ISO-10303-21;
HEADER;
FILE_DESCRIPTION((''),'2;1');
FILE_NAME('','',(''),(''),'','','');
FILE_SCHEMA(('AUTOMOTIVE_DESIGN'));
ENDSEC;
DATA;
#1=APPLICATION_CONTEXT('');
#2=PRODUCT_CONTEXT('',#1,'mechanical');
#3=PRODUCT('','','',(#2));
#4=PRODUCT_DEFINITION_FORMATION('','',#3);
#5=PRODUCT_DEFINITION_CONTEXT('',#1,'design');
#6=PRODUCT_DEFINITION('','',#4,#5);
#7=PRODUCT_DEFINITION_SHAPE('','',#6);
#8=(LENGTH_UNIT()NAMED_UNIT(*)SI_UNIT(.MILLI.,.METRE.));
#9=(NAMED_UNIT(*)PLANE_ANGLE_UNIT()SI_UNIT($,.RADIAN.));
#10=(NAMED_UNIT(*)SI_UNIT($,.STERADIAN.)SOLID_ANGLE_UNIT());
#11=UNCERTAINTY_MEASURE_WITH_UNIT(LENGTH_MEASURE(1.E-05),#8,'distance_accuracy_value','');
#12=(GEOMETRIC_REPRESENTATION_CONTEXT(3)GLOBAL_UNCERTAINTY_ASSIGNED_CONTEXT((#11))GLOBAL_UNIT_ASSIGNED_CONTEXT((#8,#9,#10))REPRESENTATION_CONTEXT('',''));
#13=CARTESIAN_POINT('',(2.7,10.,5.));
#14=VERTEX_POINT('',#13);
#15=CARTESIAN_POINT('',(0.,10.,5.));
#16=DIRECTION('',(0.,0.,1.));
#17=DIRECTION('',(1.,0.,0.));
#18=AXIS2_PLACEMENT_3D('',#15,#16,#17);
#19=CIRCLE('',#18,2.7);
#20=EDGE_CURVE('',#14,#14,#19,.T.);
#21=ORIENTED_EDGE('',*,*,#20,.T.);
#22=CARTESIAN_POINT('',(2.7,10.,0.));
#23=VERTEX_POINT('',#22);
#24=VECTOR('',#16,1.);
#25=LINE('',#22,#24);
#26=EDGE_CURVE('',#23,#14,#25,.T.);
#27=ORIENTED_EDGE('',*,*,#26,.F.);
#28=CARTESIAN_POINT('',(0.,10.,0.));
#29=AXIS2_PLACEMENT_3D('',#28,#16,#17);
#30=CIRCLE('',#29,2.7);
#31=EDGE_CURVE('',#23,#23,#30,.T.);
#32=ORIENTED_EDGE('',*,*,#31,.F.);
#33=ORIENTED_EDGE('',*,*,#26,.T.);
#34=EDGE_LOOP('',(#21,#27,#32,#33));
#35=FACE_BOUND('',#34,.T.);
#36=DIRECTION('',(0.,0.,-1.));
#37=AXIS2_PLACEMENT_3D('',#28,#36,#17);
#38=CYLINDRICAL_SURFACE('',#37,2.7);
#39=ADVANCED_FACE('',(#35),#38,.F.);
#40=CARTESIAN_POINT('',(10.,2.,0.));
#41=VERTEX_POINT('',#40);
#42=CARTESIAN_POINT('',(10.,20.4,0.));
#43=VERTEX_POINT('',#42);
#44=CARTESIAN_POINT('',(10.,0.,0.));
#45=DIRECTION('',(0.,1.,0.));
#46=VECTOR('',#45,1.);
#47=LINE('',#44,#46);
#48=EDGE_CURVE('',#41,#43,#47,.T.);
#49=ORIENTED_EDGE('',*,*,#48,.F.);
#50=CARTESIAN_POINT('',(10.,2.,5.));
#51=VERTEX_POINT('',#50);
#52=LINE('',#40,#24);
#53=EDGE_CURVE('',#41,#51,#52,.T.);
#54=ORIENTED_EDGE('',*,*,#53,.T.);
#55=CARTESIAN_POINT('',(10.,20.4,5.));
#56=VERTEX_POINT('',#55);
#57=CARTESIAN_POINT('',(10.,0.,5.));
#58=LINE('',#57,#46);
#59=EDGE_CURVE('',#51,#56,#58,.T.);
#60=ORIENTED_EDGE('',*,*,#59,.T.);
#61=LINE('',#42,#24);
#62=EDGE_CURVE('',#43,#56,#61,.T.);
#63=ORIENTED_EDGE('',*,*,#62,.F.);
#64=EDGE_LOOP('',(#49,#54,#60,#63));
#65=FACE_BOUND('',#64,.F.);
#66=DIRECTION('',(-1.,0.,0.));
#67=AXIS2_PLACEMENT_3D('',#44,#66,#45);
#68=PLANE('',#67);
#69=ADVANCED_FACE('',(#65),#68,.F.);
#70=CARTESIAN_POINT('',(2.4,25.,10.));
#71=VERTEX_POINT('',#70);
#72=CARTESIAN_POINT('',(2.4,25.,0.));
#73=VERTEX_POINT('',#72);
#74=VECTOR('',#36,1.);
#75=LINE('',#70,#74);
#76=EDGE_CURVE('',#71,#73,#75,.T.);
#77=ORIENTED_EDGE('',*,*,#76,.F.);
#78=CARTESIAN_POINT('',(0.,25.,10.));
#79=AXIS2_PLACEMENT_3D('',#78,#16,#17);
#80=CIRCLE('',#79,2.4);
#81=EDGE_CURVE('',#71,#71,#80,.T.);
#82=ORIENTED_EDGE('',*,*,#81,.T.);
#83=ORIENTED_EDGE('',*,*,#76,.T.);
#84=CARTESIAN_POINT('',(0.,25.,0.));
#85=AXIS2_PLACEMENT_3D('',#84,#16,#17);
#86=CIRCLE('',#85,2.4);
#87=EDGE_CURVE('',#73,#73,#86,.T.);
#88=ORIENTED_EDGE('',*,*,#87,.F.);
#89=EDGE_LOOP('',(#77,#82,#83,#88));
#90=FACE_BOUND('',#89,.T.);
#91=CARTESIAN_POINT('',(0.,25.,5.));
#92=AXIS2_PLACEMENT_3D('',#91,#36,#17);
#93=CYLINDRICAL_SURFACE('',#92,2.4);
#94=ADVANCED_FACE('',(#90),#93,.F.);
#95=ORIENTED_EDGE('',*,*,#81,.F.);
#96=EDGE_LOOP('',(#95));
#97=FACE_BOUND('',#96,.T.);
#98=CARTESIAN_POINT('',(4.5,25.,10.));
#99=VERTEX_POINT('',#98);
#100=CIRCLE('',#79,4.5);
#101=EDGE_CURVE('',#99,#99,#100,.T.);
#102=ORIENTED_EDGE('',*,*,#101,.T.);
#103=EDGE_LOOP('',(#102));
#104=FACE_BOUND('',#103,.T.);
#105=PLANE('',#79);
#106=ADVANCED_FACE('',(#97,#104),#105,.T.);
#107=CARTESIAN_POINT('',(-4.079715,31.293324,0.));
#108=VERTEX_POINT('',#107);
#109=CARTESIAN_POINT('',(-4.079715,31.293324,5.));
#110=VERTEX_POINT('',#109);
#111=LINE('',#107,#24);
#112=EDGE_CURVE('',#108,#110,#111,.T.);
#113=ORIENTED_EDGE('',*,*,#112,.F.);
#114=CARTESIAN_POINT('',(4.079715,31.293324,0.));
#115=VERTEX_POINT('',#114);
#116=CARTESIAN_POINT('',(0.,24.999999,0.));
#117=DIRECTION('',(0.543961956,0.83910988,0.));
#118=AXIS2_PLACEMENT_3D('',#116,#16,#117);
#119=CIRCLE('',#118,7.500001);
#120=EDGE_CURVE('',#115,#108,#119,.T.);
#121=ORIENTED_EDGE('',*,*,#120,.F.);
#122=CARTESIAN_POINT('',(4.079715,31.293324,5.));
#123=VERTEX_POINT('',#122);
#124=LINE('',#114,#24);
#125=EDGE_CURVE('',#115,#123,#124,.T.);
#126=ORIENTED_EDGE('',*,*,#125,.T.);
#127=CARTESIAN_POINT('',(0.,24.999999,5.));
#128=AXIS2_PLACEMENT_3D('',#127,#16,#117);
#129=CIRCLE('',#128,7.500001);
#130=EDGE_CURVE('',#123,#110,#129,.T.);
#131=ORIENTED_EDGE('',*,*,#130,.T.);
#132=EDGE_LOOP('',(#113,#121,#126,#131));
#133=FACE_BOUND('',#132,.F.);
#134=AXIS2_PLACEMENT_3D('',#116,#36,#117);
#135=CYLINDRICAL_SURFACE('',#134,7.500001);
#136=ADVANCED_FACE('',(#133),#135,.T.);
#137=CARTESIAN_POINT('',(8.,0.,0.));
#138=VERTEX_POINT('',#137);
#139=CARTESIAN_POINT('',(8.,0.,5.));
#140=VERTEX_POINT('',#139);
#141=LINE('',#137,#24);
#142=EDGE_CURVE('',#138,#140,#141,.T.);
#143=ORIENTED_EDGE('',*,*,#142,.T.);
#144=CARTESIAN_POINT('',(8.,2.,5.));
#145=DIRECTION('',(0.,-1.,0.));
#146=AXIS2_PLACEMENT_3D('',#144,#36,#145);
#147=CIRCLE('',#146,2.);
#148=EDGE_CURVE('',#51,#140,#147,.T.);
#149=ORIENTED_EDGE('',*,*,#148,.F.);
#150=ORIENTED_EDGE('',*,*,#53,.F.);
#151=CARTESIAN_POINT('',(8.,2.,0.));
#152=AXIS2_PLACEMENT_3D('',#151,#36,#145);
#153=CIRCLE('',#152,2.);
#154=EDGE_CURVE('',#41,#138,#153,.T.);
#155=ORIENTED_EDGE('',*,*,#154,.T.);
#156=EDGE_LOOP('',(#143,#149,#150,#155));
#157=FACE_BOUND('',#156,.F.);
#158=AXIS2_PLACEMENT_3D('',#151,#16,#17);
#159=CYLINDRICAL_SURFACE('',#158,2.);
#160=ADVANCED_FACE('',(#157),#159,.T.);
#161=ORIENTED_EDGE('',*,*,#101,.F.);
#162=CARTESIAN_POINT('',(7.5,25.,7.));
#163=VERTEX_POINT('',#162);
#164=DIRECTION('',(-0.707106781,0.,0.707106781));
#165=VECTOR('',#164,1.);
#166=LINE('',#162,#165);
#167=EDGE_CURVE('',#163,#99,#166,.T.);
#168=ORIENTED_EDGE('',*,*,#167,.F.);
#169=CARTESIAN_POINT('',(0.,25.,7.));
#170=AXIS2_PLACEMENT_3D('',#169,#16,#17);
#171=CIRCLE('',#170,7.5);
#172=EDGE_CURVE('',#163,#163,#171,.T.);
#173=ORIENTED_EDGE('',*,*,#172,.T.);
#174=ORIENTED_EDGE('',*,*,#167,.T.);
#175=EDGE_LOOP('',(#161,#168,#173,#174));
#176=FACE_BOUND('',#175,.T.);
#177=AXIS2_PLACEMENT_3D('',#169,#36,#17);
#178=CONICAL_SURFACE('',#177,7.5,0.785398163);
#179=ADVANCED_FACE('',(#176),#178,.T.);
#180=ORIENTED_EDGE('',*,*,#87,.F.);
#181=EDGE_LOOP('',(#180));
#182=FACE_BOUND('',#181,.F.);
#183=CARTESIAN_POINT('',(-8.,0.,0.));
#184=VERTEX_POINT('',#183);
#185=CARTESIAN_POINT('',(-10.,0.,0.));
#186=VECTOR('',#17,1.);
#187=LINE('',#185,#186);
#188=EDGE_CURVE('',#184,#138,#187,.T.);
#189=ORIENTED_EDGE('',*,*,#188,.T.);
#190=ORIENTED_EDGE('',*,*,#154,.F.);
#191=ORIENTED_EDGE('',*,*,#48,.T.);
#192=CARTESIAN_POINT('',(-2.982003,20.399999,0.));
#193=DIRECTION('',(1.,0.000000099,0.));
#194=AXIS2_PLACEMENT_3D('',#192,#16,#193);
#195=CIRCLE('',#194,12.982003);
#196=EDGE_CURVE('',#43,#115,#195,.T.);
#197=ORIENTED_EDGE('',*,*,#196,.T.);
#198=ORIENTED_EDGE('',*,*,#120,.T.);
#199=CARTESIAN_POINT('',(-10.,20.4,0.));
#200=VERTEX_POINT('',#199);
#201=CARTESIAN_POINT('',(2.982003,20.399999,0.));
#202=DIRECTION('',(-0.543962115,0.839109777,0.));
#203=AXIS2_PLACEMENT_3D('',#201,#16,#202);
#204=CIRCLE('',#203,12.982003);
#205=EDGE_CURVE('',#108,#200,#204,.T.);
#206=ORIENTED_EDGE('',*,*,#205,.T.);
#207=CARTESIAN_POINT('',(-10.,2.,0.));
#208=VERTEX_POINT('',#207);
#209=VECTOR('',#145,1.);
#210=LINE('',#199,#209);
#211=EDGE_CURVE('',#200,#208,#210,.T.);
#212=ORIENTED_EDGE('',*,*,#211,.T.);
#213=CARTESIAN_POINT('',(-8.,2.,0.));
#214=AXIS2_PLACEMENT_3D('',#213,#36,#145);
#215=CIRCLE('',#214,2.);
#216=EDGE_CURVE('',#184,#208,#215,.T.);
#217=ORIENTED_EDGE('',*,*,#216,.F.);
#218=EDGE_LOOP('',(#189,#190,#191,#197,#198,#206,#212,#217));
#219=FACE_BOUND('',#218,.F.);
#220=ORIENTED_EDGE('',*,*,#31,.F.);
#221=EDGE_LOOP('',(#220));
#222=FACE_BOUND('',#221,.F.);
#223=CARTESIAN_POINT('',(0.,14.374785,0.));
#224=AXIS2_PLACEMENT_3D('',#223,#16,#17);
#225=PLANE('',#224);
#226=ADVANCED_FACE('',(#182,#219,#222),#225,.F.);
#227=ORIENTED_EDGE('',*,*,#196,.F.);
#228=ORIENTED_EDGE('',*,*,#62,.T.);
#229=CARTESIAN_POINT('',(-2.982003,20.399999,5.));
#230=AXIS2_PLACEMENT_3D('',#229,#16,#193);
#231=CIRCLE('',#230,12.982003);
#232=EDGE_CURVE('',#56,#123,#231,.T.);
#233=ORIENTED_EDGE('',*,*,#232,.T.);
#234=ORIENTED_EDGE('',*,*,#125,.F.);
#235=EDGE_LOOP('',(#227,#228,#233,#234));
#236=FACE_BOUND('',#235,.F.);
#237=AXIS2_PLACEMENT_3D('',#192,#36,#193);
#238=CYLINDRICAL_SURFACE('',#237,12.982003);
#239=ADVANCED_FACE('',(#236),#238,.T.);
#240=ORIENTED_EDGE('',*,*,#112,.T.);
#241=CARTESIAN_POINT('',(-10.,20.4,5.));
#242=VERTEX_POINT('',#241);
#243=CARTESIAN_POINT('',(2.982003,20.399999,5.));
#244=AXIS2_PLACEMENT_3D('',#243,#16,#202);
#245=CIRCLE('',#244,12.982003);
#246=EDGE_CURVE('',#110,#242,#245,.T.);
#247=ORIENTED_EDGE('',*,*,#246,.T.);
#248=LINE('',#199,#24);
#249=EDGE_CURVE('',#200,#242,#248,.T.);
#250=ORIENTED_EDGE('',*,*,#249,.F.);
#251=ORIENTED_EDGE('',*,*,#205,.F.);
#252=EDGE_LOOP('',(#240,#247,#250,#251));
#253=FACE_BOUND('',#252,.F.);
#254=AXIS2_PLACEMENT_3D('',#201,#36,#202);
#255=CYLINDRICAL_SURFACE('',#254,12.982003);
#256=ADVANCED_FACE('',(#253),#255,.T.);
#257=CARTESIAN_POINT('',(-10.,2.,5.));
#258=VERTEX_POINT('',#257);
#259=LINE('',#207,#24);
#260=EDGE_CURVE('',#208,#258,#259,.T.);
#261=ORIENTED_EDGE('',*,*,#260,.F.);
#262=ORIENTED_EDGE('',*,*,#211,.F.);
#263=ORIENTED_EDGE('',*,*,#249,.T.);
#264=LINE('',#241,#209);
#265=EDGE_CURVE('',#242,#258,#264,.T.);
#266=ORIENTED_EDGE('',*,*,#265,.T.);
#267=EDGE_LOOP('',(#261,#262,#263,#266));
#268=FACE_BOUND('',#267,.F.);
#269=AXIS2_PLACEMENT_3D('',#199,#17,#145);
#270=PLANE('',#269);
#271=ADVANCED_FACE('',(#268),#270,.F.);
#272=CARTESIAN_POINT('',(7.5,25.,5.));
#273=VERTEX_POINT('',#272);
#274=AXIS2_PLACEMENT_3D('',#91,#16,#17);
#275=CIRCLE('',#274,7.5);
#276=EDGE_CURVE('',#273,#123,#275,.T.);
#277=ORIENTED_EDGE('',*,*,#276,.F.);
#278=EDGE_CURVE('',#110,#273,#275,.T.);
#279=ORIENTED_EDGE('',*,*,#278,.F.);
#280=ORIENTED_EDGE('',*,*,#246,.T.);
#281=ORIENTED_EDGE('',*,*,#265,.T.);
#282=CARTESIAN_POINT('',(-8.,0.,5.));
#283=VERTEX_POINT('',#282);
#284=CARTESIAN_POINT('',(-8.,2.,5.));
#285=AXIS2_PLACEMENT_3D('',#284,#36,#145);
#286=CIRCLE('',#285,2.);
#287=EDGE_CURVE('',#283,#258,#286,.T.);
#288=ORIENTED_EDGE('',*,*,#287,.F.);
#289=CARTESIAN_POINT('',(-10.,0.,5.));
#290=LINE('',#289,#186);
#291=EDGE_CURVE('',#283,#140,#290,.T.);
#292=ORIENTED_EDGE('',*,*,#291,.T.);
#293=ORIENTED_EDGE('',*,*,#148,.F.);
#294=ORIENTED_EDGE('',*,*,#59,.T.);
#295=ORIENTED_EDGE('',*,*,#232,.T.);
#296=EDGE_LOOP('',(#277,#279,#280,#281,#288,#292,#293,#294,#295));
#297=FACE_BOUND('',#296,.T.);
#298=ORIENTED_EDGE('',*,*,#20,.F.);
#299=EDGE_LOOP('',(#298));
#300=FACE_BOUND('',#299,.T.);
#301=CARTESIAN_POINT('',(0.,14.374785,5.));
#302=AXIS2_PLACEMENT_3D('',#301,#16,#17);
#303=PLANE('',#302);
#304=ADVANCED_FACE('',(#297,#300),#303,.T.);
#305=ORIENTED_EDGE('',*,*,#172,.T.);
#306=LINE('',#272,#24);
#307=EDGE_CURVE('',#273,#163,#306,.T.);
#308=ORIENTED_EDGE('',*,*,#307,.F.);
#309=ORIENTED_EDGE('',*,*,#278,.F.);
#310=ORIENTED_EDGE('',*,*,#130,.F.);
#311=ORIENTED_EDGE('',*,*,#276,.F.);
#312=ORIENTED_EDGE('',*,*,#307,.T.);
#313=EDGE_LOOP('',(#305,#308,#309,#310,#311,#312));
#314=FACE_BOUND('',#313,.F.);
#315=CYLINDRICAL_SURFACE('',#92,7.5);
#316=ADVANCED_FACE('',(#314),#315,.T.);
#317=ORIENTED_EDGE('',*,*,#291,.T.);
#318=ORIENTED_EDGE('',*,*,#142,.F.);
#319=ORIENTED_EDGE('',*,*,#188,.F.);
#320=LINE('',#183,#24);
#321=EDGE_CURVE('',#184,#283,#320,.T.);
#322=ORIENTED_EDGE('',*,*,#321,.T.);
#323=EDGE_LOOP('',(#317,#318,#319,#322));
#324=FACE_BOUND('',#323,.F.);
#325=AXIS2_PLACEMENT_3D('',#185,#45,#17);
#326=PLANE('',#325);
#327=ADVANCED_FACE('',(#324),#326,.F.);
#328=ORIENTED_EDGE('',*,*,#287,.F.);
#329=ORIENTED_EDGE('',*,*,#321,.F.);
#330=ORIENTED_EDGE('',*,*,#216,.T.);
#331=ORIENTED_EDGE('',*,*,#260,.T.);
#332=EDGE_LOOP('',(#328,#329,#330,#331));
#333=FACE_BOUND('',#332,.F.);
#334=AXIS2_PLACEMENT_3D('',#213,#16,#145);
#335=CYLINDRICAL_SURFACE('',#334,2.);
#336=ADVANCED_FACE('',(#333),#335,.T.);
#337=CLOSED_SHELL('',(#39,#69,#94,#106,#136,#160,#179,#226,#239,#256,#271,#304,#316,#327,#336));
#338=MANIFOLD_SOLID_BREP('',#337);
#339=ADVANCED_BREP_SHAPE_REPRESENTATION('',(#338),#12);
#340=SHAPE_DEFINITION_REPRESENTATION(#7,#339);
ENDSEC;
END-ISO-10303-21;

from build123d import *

# Parameters (mm, degrees)
F0_R     = 2.7
F0_R_2   = 2.4
F1_DEPTH = 5
F2_R     = 7.5
F2_R_2   = 2.4
F3_DEPTH = 5
F4_SIZE  = 3
F5_R     = 2


with BuildPart() as f1:
    # F0 (on Top) → F1 (new body)
    with BuildSketch(Plane.XY):
        with BuildLine():
            Line((-10, 20.4), (-10, 0))
            Line((-10, 0), (10, 0))
            Line((10, 0), (10, 20.4))
            ThreePointArc((10, 20.4), (8.424303, 26.599078), (4.079715, 31.293324))
            ThreePointArc((4.079715, 31.293324), (0, 32.5), (-4.079715, 31.293324))
            ThreePointArc((-4.079715, 31.293324), (-8.424303, 26.599078), (-10, 20.4))
        make_face()
        with Locations((0, 10)):
            Circle(F0_R, mode=Mode.SUBTRACT)
        with Locations((0, 25)):
            Circle(F0_R_2, mode=Mode.SUBTRACT)
    extrude(amount=F1_DEPTH)

    # F2 (on face) → F3 (join)
    with BuildSketch(Plane.XY.offset(5)):
        with Locations((0, 25)):
            Circle(F2_R)
        with Locations((0, 25)):
            Circle(F2_R_2, mode=Mode.SUBTRACT)
    extrude(amount=F3_DEPTH)

    # F4
    f4_edges = [f1.edges().sort_by_distance(p)[0] for p in [
        (-7.5, 25, 10),
    ]]
    chamfer(f4_edges, length=F4_SIZE)

    # F5
    f5_edges = [f1.edges().sort_by_distance(p)[0] for p in [
        (-10, 0, 2.5),
        (10, 0, 2.5),
    ]]
    fillet(f5_edges, radius=F5_R)


solid = f1.part
